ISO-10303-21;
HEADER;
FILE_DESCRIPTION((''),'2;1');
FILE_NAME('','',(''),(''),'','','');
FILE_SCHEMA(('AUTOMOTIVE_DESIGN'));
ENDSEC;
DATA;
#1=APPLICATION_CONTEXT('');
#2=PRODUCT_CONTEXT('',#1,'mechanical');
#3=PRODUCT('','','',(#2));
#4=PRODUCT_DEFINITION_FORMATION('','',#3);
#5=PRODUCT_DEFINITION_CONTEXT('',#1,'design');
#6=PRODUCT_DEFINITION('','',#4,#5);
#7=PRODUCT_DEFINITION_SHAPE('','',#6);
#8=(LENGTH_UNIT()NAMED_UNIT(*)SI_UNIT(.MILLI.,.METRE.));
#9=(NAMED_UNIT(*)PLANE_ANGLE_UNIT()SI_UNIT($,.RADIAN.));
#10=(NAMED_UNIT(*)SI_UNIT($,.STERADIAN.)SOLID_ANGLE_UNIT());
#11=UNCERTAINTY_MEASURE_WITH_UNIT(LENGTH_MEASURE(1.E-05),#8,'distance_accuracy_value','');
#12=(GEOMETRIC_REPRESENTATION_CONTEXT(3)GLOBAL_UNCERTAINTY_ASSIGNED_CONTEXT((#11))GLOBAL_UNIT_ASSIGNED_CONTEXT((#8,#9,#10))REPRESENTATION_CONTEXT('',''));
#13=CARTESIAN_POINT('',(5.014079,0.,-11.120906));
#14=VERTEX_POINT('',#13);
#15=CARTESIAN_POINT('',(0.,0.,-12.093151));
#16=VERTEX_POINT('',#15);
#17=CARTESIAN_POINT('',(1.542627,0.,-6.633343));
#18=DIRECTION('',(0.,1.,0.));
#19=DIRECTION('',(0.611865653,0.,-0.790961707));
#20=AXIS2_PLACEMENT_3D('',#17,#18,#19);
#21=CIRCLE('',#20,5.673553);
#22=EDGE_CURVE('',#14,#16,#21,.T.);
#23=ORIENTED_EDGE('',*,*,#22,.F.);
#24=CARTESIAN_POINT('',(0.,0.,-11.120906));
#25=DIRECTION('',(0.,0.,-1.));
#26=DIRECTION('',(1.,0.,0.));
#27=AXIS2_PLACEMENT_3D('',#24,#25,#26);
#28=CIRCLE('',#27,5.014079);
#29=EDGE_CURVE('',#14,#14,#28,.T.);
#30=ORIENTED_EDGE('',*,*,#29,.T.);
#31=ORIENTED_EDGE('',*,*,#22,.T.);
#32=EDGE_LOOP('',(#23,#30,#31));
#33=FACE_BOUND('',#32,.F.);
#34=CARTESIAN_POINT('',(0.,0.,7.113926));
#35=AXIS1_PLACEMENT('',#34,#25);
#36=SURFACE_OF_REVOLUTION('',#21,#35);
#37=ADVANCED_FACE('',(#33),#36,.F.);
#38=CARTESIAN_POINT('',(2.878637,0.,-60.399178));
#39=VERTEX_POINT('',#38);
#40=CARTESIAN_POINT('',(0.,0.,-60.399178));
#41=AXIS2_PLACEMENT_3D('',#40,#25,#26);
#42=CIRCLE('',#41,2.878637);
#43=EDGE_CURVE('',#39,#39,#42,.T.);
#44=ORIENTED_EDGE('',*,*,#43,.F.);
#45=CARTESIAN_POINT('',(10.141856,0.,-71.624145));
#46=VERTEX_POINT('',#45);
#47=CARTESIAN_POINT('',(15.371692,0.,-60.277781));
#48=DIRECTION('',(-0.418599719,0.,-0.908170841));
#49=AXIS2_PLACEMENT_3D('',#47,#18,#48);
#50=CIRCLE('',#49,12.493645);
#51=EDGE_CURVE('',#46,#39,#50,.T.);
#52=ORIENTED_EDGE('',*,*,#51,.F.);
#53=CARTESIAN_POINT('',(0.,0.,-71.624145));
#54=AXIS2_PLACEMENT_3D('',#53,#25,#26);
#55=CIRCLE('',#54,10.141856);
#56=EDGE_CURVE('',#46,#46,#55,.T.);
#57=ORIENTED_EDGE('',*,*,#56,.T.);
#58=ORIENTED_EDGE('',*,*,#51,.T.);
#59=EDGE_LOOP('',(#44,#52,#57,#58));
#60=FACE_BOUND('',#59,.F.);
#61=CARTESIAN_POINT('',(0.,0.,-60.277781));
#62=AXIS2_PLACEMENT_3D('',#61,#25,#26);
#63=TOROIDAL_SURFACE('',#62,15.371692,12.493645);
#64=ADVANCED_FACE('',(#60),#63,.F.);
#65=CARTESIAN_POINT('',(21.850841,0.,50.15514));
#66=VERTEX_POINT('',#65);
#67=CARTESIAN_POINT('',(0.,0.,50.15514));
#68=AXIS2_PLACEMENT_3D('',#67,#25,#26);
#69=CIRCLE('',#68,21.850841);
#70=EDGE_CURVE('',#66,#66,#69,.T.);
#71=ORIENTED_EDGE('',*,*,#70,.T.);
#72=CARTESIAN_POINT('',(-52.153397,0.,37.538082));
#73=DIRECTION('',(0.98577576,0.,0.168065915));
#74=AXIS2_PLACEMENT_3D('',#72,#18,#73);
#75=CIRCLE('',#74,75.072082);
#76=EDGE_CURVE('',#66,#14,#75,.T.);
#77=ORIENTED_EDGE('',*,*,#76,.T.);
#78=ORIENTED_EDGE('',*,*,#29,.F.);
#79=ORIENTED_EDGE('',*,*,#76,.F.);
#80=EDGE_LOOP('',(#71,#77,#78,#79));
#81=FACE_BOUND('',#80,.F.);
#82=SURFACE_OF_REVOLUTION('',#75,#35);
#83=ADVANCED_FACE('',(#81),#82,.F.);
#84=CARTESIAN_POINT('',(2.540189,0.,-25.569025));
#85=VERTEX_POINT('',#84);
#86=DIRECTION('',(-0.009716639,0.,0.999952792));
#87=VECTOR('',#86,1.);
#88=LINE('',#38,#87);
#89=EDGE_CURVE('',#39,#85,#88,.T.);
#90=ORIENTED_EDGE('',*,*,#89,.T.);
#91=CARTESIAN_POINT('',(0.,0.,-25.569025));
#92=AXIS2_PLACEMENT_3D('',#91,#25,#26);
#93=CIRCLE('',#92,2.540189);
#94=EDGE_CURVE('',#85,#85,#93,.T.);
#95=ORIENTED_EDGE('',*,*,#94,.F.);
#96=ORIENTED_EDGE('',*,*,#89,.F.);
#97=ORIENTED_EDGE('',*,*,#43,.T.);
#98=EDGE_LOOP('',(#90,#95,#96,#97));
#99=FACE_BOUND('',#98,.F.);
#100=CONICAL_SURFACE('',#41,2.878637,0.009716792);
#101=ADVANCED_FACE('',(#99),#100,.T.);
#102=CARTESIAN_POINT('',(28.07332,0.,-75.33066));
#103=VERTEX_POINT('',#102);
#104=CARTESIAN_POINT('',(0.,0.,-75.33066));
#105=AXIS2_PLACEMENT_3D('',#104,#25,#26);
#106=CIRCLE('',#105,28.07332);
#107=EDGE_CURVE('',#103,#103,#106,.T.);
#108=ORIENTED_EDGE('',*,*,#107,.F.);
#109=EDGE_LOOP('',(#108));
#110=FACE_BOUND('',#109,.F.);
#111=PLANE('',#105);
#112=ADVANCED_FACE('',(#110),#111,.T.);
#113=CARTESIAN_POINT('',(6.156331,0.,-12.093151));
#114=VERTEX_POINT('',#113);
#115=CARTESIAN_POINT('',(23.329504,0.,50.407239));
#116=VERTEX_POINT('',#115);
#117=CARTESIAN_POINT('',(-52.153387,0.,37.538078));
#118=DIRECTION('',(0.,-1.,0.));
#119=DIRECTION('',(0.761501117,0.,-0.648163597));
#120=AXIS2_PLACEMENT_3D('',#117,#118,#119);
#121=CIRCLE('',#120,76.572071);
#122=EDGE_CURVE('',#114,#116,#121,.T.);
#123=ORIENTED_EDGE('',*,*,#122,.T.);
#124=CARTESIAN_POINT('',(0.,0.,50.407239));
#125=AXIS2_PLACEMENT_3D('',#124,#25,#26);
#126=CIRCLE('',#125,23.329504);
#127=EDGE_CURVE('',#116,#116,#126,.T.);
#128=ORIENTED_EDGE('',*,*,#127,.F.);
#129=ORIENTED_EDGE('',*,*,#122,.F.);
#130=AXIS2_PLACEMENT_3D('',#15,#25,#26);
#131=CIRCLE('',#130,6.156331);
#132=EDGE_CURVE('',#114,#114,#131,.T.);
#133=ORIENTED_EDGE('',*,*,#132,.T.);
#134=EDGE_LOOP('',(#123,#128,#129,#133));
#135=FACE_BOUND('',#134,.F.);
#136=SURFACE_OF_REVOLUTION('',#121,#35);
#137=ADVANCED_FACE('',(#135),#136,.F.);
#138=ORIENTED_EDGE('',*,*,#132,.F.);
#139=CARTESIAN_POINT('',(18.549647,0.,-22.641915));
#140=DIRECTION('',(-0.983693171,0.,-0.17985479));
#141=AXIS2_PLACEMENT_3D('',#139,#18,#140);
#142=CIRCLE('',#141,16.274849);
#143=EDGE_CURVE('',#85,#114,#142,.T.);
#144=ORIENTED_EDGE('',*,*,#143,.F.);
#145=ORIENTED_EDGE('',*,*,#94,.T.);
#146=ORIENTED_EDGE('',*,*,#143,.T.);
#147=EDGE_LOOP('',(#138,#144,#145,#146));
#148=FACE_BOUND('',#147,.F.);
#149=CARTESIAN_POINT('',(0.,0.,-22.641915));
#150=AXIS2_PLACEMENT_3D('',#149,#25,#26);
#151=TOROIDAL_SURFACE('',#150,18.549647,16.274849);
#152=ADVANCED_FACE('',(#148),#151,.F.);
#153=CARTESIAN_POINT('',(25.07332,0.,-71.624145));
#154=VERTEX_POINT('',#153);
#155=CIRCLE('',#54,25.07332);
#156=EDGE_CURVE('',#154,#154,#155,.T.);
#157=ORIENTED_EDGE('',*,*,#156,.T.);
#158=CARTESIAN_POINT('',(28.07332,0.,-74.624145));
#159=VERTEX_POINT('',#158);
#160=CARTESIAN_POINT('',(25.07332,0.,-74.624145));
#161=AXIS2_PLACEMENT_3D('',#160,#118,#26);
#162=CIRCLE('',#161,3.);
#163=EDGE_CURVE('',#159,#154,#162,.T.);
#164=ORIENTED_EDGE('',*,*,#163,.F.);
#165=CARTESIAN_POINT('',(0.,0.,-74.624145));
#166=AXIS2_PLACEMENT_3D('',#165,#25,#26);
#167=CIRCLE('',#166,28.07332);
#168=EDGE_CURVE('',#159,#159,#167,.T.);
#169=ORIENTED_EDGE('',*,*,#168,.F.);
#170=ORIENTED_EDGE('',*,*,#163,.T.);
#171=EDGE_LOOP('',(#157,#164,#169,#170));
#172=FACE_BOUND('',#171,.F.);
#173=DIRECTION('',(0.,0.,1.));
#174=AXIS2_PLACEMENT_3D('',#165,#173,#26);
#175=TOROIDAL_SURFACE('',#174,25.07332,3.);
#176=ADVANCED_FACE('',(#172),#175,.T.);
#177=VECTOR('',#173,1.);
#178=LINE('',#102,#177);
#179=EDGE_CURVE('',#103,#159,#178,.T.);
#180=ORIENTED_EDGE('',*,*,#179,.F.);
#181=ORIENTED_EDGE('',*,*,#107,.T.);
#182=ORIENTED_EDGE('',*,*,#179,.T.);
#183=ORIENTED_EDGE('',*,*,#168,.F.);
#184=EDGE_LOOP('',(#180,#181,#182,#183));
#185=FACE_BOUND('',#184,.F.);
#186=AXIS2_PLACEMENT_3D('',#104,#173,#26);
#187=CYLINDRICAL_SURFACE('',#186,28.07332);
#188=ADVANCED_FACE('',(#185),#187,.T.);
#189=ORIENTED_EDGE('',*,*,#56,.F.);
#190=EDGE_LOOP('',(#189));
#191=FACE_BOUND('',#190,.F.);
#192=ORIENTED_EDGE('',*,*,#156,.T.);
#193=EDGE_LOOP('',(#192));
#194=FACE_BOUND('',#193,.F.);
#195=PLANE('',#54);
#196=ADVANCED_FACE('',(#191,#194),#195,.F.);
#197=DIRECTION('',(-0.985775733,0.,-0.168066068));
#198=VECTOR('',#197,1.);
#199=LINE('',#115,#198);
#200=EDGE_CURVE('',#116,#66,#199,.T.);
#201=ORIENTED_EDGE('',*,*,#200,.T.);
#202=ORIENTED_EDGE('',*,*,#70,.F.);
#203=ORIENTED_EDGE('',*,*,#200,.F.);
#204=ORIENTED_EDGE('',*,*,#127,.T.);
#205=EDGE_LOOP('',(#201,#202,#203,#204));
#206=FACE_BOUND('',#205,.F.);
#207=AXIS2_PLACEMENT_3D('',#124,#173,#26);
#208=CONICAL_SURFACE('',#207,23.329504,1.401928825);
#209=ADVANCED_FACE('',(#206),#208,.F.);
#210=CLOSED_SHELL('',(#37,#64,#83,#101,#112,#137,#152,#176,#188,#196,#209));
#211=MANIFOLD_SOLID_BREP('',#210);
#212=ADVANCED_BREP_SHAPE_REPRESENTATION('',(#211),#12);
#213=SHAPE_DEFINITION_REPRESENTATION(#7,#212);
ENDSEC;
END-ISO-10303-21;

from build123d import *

# Parameters (mm, degrees)
F3_R = 3


with BuildPart() as f2:
    # F0 (on Front) → F2 (revolve)
    with BuildSketch(Plane.XZ):
        with BuildLine():
            ThreePointArc((2.540189, -25.569025), (2.830894, -18.423916), (6.156331, -12.093151))
            ThreePointArc((6.156331, -12.093151), (21.682175, 17.25035), (23.329504, 50.407239))
            Line((23.329504, 50.407239), (21.850841, 50.15514))
            ThreePointArc((21.850841, 50.15514), (20.235781, 17.647775), (5.014079, -11.120906))
            ThreePointArc((5.014079, -11.120906), (2.62263, -12.203154), (0, -12.093151))
            Line((0, -12.093151), (0, -75.33066))
            Line((0, -75.33066), (28.07332, -75.33066))
            Line((28.07332, -75.33066), (28.07332, -71.624145))
            Line((28.07332, -71.624145), (10.141856, -71.624145))
            ThreePointArc((10.141856, -71.624145), (4.882403, -67.064973), (2.878637, -60.399178))
            Line((2.878637, -60.399178), (2.540189, -25.569025))
        make_face()
    revolve(axis=Axis((0, 0, 7.113926), (0, 0, -1)))

    # F3
    f3_edges = [f2.edges().sort_by_distance(p)[0] for p in [
        (-28.07332, 0, -71.624145),
    ]]
    fillet(f3_edges, radius=F3_R)


solid = f2.part
